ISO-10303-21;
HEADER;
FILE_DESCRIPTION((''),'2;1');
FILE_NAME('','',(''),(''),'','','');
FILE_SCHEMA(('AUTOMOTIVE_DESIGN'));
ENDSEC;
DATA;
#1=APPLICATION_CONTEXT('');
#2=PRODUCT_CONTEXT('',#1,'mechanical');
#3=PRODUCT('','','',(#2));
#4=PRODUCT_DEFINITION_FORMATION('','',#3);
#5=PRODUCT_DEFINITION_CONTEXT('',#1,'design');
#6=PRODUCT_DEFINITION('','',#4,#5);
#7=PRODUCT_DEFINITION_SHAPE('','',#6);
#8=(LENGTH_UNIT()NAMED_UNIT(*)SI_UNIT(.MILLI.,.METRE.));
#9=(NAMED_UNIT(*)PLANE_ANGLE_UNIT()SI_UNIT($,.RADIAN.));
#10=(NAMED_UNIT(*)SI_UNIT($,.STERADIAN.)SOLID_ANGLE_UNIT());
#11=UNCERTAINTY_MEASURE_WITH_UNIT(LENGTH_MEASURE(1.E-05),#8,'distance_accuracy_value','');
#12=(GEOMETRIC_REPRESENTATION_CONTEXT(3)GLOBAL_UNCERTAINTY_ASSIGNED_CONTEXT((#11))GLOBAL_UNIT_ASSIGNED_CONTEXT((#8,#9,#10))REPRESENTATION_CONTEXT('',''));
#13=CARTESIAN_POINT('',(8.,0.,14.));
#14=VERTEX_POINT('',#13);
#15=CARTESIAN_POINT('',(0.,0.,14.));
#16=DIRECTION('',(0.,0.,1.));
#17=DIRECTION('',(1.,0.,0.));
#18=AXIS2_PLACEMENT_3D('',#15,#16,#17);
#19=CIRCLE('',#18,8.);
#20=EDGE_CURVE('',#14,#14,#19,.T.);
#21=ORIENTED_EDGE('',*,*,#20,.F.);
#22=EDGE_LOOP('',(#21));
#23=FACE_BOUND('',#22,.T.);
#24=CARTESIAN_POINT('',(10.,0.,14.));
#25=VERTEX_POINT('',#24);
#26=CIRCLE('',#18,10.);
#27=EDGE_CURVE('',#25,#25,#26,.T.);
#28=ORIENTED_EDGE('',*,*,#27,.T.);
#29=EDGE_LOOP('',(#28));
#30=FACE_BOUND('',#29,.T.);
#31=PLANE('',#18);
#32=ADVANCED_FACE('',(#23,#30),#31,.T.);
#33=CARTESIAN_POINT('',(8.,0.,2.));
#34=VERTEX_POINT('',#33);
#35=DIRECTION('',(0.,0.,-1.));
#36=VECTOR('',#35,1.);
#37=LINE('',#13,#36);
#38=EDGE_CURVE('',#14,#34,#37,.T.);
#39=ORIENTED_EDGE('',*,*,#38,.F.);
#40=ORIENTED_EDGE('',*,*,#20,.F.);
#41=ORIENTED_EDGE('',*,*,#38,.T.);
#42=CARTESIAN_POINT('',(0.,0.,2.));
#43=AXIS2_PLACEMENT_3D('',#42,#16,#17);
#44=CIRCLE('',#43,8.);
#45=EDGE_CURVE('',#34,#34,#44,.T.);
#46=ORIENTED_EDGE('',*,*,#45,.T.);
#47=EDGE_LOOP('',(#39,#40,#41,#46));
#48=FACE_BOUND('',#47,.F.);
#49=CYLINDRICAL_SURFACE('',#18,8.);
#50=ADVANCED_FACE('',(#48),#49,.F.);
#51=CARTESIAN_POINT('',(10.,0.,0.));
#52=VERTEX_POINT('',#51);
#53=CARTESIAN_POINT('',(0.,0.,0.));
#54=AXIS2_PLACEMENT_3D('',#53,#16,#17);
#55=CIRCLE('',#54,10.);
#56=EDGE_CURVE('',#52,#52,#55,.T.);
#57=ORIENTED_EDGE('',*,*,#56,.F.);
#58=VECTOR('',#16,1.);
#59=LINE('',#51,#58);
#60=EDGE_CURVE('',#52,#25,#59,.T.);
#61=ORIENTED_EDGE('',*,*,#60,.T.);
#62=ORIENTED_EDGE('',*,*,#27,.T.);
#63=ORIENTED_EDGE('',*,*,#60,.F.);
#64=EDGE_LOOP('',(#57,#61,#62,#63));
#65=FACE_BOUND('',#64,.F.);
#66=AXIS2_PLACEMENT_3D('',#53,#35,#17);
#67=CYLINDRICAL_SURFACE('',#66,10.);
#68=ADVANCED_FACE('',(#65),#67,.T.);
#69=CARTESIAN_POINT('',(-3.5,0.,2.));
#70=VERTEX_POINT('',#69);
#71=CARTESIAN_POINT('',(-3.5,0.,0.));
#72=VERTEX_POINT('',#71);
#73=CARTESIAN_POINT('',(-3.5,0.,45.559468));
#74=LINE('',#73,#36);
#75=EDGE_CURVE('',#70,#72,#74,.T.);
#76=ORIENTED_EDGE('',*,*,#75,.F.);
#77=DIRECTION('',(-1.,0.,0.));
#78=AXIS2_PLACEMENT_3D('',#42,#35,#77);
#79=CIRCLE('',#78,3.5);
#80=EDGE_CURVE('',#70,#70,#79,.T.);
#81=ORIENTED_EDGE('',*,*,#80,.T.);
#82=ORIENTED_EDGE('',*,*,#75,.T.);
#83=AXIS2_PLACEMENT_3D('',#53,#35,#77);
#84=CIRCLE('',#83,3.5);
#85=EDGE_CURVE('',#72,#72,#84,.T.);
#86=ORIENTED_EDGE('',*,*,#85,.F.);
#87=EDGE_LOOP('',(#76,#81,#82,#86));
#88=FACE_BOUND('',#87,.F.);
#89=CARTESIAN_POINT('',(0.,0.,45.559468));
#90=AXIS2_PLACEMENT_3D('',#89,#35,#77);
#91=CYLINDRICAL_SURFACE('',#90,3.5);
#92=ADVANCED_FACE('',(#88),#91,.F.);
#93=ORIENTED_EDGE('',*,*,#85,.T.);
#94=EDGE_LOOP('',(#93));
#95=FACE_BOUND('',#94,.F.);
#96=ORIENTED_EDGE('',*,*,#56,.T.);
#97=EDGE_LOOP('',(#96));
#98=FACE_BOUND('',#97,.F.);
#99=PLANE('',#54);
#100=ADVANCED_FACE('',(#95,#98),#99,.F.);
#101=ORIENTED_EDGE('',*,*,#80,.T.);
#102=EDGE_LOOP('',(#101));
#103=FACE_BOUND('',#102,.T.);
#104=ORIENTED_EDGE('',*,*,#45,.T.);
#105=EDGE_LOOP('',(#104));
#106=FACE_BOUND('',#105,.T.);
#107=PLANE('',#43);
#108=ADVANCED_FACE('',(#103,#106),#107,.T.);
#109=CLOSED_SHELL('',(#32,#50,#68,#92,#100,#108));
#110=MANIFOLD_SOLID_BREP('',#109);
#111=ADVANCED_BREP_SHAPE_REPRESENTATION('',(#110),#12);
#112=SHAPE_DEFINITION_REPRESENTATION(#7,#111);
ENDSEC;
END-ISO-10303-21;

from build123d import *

# Parameters (mm, degrees)
F0_R     = 10
F1_DEPTH = 14
F4_R     = 8
F5_DEPTH = 12
F6_D     = 7


with BuildPart() as f1:
    # F0 (on Top) → F1 (new body)
    with BuildSketch(Plane.XY):
        Circle(F0_R)
    extrude(amount=F1_DEPTH)

    # F4 (on offset) → F5 (cut)
    with BuildSketch(Plane.XY.offset(14)):
        Circle(F4_R)
    extrude(amount=-F5_DEPTH, mode=Mode.SUBTRACT)

    # F6 (through all)
    with Locations(Plane.XY.offset(14)):
        with Locations((0, 0)):
            Hole(F6_D / 2)


solid = f1.part
